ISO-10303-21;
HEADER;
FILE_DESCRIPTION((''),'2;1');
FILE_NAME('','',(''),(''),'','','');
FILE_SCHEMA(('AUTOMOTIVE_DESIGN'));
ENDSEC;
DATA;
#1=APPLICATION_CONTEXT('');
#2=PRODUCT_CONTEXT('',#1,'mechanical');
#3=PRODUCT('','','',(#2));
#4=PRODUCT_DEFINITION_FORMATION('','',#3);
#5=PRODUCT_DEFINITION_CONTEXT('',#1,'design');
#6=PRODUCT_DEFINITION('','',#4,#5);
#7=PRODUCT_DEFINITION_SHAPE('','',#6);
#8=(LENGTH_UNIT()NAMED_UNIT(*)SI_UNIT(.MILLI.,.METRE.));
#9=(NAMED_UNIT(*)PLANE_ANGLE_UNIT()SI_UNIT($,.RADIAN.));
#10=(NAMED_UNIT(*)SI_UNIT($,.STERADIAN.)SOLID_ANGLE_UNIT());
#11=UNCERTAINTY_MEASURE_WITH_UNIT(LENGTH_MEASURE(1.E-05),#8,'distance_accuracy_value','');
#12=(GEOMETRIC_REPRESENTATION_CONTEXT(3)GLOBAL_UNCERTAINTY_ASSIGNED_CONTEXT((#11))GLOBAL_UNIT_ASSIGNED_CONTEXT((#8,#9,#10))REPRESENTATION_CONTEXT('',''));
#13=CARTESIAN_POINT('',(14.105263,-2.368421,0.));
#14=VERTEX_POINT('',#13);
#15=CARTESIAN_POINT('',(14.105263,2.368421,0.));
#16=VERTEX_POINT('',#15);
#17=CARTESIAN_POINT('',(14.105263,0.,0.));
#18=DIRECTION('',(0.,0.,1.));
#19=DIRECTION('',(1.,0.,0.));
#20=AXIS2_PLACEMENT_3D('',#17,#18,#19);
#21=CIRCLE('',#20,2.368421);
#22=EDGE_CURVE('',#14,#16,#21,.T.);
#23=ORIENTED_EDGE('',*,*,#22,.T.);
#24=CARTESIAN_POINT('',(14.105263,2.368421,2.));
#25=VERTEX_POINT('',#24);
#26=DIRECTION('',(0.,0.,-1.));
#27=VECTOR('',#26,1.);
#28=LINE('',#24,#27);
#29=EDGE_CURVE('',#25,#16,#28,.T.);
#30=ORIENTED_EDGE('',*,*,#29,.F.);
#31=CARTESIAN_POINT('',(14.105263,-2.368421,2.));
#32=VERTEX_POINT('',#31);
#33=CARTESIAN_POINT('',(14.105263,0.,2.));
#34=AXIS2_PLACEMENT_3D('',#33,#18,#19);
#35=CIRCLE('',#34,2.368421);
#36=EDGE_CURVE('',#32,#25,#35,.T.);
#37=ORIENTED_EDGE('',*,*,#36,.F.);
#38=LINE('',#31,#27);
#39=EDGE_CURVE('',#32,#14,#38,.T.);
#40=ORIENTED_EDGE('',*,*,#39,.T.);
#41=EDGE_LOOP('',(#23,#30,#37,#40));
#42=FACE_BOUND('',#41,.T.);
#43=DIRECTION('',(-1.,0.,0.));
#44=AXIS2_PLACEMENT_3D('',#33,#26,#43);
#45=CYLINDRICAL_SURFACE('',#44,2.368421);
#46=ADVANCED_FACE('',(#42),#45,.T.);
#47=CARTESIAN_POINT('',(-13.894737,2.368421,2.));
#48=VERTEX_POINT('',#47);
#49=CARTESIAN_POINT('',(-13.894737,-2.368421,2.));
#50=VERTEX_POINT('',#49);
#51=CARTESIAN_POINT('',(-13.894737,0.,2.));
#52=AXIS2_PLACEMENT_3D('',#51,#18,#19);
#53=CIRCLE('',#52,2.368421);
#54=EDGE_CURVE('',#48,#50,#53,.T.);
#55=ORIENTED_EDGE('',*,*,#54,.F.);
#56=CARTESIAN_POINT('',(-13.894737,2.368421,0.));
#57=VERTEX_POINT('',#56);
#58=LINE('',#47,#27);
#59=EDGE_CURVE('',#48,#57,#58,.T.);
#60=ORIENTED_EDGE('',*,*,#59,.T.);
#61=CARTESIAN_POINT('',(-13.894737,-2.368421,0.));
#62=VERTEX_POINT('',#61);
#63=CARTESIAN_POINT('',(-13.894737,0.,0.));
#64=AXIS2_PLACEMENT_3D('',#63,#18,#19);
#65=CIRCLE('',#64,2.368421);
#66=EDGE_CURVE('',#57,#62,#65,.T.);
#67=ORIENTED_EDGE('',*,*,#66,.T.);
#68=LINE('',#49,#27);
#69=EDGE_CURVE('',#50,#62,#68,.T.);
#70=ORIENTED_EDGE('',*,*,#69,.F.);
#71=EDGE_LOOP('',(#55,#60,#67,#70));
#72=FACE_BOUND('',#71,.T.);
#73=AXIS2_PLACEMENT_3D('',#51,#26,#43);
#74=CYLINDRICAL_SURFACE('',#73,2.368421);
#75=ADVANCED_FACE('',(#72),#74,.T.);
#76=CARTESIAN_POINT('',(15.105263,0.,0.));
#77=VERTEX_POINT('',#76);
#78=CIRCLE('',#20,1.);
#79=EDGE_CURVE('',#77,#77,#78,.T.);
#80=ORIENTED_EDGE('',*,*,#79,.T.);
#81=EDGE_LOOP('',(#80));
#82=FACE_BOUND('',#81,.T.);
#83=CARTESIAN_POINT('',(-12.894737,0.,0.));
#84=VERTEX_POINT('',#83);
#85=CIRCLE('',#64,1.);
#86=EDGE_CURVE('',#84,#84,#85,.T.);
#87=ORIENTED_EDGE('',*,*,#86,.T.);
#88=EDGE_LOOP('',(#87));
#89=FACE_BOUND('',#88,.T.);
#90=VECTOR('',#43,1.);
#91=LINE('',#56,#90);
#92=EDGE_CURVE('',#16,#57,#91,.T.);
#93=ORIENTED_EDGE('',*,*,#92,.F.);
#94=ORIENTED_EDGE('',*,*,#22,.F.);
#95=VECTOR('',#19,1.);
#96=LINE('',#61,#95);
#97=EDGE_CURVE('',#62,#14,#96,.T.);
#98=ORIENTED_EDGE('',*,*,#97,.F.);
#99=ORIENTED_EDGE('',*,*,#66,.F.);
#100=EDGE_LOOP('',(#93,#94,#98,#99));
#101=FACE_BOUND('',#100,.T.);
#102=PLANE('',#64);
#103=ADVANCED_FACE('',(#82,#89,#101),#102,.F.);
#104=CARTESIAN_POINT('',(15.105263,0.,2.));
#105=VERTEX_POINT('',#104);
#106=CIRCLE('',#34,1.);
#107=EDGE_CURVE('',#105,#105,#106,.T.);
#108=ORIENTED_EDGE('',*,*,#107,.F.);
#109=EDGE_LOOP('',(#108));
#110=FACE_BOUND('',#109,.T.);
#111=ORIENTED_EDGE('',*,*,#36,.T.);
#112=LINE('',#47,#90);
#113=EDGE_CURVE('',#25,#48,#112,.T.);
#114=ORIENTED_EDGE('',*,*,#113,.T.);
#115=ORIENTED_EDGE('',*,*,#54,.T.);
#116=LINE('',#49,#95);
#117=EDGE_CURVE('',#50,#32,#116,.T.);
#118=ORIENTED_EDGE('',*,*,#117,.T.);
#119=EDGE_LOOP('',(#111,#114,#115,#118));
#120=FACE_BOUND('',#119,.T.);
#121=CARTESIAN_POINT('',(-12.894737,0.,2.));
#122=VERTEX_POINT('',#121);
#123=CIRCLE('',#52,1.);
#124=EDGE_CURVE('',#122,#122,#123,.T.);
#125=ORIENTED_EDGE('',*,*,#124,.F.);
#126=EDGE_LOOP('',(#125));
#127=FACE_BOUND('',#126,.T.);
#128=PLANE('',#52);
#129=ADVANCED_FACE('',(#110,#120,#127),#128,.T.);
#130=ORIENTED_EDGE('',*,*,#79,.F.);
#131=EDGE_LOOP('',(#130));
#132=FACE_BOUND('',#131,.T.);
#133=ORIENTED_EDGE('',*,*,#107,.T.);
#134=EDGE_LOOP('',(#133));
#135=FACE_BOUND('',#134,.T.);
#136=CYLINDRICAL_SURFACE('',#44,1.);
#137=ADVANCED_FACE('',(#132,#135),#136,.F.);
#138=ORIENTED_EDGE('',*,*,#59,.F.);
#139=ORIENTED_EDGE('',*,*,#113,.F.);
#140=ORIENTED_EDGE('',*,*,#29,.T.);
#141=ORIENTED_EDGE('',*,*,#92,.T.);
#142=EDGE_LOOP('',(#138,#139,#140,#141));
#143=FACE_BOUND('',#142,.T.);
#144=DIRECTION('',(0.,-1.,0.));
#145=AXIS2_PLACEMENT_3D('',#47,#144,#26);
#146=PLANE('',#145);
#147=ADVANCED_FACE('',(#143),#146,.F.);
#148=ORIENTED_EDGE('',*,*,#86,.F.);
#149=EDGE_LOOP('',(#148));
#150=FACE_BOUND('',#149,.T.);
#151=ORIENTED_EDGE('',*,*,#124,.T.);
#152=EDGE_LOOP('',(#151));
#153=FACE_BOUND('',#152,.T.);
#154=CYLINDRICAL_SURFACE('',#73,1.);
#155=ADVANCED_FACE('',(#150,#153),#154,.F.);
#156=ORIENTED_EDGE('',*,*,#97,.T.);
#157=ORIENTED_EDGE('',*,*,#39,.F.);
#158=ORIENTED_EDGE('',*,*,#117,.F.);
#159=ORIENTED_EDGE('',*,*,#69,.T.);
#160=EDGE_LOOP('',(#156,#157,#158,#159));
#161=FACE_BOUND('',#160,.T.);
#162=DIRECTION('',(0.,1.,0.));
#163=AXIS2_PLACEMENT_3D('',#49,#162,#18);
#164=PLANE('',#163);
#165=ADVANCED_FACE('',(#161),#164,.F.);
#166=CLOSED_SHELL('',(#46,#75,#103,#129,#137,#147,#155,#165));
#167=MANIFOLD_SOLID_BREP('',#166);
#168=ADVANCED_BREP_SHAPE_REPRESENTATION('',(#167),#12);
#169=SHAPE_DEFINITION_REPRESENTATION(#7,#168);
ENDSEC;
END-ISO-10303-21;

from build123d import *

# Parameters (mm, degrees)
SKETCH1_R           = 1
BOSS_EXTRUDE1_DEPTH = 2


with BuildPart() as part:
    # Sketch1 → Boss-Extrude1 (new body)
    with BuildSketch(Plane.XY):
        with BuildLine():
            Line((-13.894736842, 2.368421053), (14.105263158, 2.368421053))
            ThreePointArc((14.105263158, 2.368421053), (16.473684211, 0), (14.105263158, -2.368421053))
            Line((14.105263158, -2.368421053), (-13.894736842, -2.368421053))
            ThreePointArc((-13.894736842, -2.368421053), (-16.263157895, 0), (-13.894736842, 2.368421053))
        make_face()
        with Locations((14.105263158, 0)):
            Circle(SKETCH1_R, mode=Mode.SUBTRACT)
        with Locations((-13.894736842, 0)):
            Circle(SKETCH1_R, mode=Mode.SUBTRACT)
    extrude(amount=BOSS_EXTRUDE1_DEPTH)


solid = part.part
